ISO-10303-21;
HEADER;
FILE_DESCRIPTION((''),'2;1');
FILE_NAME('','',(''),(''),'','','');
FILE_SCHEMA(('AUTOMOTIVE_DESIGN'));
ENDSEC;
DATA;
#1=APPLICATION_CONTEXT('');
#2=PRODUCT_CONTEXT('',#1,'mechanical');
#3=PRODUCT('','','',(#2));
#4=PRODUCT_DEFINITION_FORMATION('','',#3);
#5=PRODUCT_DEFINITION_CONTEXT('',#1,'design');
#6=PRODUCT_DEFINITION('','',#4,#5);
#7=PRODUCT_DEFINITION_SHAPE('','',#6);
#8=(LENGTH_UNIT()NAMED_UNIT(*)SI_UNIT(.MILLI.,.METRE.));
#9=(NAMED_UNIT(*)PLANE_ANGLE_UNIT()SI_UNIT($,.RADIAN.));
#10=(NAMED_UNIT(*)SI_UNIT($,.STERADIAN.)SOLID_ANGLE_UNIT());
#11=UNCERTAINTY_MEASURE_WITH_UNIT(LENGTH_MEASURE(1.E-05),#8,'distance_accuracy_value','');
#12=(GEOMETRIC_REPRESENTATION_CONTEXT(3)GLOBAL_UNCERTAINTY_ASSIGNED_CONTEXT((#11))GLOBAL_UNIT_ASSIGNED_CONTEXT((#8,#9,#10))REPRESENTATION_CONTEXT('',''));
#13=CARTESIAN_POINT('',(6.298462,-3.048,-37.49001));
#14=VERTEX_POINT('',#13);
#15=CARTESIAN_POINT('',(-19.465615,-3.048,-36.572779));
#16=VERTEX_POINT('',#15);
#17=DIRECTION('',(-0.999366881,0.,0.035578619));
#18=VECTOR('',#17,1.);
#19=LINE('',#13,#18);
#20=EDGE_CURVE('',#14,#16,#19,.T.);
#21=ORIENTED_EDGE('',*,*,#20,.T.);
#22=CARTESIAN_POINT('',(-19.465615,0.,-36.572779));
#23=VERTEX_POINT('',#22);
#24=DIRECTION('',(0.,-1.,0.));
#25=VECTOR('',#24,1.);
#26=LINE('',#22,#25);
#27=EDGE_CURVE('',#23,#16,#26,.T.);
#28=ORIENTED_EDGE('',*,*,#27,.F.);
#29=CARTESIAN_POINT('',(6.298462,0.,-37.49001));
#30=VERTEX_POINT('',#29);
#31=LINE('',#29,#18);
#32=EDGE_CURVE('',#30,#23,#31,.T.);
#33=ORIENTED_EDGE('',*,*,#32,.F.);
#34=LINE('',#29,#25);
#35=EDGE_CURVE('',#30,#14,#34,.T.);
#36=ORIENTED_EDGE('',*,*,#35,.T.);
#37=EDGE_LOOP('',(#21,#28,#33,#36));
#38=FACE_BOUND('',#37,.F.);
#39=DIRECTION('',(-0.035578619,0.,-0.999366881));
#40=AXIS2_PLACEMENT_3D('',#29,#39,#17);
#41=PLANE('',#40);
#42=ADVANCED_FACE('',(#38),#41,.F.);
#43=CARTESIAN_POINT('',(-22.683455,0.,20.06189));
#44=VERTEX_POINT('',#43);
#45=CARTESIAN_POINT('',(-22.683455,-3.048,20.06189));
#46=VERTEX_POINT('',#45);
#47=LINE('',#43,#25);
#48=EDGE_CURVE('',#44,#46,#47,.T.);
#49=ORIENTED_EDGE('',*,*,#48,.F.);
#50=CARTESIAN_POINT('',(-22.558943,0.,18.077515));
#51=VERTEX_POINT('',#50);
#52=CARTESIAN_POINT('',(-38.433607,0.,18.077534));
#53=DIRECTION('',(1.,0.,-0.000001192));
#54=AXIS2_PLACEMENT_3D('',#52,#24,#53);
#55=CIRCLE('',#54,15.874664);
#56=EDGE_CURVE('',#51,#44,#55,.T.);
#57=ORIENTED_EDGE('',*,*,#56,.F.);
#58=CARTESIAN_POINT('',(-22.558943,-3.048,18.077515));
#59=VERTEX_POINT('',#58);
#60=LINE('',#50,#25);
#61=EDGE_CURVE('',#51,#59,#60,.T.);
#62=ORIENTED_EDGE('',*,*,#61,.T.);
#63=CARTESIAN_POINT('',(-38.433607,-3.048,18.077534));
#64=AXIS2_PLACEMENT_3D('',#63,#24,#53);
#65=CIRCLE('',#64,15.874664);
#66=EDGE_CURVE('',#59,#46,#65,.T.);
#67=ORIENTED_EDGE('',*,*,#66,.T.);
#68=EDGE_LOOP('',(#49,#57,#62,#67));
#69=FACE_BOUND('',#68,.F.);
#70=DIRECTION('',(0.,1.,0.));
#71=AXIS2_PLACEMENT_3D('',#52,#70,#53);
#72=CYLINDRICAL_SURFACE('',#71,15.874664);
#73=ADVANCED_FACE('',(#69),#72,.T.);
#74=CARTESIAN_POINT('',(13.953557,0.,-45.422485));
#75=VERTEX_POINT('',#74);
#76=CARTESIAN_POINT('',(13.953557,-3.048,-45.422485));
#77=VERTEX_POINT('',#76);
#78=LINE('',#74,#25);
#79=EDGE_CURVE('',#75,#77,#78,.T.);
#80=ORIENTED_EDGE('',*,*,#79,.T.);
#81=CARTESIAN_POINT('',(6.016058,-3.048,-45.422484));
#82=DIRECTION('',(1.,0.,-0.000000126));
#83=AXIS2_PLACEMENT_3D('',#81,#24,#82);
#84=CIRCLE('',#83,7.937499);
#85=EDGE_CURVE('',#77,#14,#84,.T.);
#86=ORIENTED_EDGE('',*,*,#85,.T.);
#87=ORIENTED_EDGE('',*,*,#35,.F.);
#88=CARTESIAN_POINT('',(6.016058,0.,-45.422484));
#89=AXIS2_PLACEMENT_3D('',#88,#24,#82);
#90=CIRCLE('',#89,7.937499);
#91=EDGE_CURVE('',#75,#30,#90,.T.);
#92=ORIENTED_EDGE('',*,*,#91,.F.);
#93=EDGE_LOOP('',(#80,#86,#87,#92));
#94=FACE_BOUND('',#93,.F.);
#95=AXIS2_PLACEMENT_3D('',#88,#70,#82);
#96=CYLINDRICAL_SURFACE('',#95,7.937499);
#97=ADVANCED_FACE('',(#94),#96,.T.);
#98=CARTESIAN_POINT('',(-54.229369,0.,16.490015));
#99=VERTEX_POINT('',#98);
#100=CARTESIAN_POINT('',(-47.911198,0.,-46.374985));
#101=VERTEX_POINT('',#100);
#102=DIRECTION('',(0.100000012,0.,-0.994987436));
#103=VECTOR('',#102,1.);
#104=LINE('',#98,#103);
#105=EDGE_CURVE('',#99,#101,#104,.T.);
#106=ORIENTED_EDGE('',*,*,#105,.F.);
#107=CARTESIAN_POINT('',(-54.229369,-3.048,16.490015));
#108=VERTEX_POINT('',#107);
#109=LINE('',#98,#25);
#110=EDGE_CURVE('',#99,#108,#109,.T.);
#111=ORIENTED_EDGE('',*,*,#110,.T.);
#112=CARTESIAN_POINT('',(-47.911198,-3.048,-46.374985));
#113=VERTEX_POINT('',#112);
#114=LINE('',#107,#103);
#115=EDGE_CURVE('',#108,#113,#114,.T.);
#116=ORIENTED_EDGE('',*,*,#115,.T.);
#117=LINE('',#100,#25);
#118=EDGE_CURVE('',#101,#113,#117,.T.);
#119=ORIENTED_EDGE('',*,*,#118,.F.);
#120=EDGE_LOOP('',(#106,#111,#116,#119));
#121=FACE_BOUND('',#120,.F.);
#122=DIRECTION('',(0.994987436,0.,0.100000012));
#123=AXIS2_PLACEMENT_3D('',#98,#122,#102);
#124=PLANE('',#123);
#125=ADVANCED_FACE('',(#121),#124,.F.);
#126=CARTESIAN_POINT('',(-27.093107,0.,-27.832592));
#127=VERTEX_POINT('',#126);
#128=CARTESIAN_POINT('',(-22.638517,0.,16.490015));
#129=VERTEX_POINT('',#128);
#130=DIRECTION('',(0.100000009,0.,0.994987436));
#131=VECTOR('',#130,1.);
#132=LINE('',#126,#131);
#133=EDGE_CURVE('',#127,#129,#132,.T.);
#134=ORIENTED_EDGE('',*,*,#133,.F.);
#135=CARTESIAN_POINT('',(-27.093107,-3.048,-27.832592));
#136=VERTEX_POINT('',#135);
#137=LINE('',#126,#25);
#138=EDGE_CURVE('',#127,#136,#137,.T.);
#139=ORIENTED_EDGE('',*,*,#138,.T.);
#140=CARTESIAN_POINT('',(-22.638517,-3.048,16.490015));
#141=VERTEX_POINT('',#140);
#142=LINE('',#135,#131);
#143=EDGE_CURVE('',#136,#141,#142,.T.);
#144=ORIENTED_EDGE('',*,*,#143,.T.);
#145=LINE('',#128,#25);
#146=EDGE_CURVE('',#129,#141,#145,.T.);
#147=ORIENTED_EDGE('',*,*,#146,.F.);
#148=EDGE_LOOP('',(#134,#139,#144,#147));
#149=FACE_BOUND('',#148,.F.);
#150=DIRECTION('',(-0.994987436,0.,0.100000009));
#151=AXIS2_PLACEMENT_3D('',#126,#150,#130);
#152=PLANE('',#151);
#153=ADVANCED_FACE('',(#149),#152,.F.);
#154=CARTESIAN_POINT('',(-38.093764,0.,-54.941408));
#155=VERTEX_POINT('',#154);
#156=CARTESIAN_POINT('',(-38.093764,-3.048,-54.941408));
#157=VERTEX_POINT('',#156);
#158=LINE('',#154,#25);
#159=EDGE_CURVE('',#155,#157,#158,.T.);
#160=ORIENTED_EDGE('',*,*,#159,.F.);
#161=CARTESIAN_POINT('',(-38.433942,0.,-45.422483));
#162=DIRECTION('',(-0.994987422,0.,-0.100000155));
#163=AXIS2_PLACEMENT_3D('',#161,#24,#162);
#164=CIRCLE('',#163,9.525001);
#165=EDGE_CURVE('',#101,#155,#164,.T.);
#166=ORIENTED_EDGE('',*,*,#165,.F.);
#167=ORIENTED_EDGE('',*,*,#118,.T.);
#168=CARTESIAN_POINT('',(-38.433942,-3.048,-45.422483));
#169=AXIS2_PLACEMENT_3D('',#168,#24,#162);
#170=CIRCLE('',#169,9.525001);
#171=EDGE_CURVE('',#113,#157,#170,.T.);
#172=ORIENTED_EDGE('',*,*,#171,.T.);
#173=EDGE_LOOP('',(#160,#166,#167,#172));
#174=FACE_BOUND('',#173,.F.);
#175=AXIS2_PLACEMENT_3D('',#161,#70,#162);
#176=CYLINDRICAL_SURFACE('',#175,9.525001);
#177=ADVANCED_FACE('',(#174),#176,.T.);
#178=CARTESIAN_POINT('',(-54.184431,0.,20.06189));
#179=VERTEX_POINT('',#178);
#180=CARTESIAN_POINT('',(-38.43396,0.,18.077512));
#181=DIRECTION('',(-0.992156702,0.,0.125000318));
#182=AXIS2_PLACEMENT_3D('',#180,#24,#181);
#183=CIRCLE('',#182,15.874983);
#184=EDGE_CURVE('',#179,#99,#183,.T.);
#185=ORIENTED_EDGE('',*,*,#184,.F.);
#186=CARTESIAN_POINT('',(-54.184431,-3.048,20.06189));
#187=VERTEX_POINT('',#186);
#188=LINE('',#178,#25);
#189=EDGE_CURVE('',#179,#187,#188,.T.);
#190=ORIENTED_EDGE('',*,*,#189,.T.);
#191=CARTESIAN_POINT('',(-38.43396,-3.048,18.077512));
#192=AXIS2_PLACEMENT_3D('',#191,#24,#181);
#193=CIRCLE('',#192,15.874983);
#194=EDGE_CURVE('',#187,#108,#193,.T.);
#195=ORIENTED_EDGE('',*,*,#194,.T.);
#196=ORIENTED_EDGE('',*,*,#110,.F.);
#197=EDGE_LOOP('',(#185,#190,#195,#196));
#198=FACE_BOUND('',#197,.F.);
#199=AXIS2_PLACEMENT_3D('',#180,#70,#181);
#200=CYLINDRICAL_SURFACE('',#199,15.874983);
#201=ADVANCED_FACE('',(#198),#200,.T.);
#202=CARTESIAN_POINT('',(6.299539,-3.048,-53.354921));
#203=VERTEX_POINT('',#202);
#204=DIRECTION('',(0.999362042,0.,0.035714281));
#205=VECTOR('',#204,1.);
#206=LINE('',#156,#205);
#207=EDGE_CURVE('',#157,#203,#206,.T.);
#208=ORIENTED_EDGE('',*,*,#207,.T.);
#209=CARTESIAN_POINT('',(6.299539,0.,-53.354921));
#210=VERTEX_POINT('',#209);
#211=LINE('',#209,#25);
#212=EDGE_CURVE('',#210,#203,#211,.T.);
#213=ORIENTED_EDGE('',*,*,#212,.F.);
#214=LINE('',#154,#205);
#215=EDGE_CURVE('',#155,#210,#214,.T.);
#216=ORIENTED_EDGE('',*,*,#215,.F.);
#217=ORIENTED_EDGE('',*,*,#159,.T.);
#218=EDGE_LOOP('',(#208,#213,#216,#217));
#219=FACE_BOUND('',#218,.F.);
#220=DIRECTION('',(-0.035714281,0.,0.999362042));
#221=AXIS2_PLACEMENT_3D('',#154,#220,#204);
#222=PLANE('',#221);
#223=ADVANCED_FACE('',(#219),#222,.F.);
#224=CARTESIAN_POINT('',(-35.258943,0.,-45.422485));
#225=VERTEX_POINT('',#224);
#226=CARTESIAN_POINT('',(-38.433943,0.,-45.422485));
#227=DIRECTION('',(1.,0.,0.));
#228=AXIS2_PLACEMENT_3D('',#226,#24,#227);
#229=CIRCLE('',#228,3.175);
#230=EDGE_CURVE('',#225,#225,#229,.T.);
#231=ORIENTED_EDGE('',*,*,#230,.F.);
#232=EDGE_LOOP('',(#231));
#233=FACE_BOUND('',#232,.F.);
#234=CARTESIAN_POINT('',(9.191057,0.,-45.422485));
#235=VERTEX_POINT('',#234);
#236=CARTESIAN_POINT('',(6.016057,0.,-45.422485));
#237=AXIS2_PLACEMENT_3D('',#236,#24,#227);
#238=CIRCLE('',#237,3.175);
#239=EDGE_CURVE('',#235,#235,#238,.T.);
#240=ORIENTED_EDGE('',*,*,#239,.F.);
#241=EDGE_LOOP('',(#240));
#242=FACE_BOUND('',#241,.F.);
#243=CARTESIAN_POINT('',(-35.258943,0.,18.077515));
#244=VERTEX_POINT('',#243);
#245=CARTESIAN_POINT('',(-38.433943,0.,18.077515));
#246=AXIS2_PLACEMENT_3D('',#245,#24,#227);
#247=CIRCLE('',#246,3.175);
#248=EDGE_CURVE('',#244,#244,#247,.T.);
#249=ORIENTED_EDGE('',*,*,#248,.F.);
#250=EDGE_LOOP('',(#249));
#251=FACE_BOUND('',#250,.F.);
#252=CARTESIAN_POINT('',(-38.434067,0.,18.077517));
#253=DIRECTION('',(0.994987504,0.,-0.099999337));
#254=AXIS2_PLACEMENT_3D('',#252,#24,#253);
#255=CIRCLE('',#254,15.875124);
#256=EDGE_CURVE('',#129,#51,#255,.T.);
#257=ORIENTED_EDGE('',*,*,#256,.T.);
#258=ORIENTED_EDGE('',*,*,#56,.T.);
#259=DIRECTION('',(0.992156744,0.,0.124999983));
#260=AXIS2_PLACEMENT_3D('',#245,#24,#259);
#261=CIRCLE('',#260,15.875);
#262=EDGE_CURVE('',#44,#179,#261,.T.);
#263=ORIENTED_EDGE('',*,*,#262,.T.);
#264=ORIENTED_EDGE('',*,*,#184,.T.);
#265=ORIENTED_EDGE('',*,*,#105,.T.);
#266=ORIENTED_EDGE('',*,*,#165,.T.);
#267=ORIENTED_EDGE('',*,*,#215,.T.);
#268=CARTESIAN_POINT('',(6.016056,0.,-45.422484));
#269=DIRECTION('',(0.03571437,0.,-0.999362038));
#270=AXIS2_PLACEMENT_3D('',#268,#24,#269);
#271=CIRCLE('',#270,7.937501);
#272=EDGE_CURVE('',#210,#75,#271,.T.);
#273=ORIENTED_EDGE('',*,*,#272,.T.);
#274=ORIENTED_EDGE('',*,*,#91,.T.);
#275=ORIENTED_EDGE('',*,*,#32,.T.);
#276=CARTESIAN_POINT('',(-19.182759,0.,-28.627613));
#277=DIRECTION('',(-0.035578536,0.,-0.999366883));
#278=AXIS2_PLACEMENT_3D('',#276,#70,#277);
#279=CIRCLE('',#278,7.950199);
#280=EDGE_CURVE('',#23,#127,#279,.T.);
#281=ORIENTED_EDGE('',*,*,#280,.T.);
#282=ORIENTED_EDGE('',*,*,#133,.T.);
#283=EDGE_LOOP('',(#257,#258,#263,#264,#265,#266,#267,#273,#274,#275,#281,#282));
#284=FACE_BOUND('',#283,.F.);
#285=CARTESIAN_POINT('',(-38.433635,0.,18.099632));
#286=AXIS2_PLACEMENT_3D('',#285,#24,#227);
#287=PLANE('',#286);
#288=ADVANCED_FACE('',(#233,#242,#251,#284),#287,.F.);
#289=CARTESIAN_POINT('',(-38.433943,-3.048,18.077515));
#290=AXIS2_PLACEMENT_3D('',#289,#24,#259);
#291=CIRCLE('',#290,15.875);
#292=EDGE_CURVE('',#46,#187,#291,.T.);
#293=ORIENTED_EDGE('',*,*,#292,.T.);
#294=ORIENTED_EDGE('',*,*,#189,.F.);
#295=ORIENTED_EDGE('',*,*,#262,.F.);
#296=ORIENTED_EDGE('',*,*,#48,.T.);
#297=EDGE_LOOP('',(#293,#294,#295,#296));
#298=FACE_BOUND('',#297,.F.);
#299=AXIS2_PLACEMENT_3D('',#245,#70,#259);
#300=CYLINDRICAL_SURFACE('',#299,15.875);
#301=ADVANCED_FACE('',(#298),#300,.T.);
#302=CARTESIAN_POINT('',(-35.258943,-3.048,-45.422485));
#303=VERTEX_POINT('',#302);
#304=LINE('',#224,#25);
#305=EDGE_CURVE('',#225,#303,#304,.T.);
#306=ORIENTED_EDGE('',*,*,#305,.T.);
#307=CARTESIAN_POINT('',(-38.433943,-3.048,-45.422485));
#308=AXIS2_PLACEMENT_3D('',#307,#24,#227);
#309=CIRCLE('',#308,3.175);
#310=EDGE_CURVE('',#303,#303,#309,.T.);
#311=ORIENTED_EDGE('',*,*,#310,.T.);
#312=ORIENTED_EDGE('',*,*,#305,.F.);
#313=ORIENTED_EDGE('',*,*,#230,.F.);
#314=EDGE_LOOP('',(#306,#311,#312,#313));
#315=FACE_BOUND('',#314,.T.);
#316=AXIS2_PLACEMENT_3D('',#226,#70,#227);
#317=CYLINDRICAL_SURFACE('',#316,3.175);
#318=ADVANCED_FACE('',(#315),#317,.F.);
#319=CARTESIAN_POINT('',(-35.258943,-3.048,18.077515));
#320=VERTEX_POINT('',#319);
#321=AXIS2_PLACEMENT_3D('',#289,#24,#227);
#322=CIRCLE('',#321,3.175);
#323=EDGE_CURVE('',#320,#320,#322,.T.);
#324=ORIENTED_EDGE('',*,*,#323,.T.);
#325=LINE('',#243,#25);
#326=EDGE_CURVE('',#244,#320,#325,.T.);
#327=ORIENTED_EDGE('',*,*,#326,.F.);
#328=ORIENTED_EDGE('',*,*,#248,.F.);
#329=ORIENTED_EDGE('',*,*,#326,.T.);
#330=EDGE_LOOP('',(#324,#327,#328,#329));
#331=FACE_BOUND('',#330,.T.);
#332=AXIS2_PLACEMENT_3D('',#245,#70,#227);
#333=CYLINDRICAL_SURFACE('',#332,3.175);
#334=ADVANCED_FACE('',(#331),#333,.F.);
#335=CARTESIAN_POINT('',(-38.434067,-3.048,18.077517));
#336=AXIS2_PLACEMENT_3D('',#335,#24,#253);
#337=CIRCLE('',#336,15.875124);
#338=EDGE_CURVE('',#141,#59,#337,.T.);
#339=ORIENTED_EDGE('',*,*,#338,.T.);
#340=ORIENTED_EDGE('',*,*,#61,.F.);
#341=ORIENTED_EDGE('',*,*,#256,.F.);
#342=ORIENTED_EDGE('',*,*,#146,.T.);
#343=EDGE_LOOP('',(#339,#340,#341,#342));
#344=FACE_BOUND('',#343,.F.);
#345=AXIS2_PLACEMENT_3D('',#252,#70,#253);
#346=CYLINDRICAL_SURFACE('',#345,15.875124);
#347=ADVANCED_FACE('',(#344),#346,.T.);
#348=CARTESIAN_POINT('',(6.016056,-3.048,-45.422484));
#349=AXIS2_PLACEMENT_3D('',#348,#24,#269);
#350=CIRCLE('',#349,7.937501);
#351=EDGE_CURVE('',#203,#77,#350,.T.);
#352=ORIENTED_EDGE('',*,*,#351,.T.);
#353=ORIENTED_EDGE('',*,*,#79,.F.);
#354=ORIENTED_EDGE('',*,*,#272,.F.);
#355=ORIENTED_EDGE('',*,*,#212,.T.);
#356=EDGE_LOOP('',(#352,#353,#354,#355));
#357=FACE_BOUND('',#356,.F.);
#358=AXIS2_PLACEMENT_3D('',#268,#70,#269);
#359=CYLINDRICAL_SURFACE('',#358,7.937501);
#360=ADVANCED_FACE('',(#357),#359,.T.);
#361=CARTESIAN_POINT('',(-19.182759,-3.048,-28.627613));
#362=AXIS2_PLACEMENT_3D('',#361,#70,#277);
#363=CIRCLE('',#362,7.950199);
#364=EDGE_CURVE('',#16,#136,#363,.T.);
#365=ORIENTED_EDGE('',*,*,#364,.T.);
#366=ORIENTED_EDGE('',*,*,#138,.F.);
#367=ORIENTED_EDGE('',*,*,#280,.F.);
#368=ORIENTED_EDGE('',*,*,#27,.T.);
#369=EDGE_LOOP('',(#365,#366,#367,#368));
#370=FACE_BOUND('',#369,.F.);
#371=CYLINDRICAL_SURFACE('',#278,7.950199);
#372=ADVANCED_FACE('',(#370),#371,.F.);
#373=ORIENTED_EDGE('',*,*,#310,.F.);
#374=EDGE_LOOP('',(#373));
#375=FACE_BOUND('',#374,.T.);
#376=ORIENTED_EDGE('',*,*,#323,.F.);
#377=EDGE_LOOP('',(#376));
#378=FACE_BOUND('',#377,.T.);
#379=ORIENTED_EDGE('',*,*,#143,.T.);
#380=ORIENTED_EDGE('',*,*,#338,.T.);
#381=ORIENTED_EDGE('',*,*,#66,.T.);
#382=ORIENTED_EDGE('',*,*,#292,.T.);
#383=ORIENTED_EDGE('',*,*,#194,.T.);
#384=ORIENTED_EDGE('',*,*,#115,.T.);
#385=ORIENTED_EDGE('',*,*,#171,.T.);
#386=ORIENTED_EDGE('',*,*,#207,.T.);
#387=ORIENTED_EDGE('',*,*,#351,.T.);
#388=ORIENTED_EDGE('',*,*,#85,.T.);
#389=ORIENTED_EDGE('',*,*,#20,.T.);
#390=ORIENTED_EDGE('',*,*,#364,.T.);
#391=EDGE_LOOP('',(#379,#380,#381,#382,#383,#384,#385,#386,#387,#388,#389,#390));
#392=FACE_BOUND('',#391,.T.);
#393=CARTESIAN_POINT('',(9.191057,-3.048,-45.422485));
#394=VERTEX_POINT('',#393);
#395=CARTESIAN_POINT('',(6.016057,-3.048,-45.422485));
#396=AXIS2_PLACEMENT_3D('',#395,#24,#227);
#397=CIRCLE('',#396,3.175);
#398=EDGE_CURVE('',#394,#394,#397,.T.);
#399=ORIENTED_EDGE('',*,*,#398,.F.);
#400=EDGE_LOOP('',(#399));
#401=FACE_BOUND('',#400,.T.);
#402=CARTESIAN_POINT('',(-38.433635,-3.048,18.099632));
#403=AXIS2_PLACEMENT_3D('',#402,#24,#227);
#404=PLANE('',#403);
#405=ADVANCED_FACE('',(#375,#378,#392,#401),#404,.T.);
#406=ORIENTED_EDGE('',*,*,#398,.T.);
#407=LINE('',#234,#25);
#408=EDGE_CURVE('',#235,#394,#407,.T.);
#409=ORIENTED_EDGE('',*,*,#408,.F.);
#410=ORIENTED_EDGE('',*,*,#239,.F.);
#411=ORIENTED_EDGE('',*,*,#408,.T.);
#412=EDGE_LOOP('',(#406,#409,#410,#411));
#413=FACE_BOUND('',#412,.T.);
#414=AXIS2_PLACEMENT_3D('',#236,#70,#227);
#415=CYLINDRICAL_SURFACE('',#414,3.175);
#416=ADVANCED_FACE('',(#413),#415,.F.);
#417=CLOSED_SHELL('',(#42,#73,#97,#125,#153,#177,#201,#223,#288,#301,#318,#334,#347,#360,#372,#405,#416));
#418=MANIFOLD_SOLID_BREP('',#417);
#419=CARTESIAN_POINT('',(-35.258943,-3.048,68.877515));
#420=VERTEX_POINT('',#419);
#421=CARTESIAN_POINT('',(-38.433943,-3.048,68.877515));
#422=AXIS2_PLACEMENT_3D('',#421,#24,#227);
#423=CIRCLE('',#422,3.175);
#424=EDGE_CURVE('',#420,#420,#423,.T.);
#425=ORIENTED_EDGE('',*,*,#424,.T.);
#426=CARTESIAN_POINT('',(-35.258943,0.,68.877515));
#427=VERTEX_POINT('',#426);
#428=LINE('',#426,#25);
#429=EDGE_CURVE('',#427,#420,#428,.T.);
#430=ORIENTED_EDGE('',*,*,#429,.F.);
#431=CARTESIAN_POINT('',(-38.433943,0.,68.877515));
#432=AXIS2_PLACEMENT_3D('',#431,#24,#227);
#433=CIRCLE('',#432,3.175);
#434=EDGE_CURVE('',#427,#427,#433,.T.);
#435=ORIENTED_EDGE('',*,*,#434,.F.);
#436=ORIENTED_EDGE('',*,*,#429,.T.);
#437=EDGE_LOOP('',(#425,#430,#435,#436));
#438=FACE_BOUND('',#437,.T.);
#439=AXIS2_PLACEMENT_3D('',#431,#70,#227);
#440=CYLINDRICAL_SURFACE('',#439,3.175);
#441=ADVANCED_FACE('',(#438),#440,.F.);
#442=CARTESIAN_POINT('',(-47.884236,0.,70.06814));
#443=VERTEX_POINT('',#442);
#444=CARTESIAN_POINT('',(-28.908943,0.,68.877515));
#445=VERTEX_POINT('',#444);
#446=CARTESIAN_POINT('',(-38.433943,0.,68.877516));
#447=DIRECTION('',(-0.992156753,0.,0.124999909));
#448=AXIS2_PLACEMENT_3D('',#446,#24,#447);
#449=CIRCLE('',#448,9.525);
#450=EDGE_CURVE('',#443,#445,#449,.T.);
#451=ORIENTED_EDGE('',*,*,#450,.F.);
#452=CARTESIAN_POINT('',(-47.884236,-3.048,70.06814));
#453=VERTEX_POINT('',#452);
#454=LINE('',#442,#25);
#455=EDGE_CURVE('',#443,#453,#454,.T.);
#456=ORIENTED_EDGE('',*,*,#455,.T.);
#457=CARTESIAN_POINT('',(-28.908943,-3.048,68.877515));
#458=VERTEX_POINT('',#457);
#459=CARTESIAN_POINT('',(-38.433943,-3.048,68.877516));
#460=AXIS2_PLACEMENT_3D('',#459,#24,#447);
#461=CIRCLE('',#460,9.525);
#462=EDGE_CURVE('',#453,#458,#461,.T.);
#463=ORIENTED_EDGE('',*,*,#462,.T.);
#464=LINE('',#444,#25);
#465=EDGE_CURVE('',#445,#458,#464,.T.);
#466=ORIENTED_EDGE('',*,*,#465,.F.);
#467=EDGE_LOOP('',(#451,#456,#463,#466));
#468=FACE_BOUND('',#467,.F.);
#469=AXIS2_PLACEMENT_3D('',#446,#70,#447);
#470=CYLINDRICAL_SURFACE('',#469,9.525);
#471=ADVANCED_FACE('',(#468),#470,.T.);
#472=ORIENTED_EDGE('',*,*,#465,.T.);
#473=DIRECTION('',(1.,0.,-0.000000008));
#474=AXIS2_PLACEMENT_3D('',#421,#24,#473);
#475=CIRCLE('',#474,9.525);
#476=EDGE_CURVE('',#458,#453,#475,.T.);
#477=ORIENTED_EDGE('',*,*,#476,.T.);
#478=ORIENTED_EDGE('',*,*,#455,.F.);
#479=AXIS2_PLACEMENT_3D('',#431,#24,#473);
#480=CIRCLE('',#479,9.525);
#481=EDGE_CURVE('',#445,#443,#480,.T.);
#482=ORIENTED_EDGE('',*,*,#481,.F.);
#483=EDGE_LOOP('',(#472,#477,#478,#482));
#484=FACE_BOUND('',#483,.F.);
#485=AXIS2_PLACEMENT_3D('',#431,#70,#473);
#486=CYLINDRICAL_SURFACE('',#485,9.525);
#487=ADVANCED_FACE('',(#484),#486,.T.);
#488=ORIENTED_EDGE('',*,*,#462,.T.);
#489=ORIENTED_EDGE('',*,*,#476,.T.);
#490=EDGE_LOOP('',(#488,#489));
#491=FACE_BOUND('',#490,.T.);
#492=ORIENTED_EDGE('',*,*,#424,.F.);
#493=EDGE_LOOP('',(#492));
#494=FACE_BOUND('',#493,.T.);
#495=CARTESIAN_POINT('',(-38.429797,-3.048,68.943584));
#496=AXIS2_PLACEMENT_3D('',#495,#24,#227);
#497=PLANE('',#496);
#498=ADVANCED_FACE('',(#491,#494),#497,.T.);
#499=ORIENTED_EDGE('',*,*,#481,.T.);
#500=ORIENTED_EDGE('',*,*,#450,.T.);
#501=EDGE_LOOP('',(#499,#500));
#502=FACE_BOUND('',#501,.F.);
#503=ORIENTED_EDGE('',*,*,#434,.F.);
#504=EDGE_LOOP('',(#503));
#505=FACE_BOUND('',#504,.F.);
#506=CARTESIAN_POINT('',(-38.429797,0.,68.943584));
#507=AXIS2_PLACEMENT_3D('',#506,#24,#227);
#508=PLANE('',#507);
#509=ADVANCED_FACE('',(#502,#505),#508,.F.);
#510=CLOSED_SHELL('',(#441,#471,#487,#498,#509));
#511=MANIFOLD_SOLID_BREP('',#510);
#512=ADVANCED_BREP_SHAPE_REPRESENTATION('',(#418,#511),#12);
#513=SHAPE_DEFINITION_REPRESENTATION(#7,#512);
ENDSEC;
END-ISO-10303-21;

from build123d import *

# Parameters (mm, degrees)
F0_R     = 3.175
F1_DEPTH = 3.048


with BuildPart() as f1:
    # F0 (on Front) → F1 (new body)
    with BuildSketch(Plane.XZ):
        with BuildLine():
            ThreePointArc((-47.884236, 70.06814), (-39.030426, 59.371211), (-28.908943, 68.877515))
            ThreePointArc((-28.908943, 68.877515), (-37.83746, 78.38382), (-47.884236, 70.06814))
        make_face()
        with Locations((-38.433943, 68.877515)):
            Circle(F0_R, mode=Mode.SUBTRACT)
        with BuildLine():
            ThreePointArc((-22.683455, 20.06189), (-38.433943, 33.952515), (-54.184431, 20.06189))
            ThreePointArc((-54.184431, 20.06189), (-54.307687, 18.277221), (-54.229369, 16.490015))
            ThreePointArc((-54.229369, 16.490015), (-38.433943, 2.202515), (-22.638517, 16.490015))
            ThreePointArc((-22.638517, 16.490015), (-22.578849, 17.282769), (-22.558943, 18.077515))
            ThreePointArc((-22.558943, 18.077515), (-22.590101, 19.071654), (-22.683455, 20.06189))
        make_face()
        with Locations((-38.433943, 18.077515)):
            Circle(F0_R, mode=Mode.SUBTRACT)
        with BuildLine():
            ThreePointArc((-22.638517, 16.490015), (-38.433943, 2.202515), (-54.229369, 16.490015))
            Line((-54.229369, 16.490015), (-47.911198, -46.374985))
            ThreePointArc((-47.911198, -46.374985), (-38.910791, -35.909428), (-28.908943, -45.422485))
            ThreePointArc((-28.908943, -45.422485), (-31.579535, -52.036312), (-38.093764, -54.941408))
            Line((-38.093764, -54.941408), (6.299539, -53.354921))
            ThreePointArc((6.299539, -53.354921), (-1.921443, -45.423023), (6.298462, -37.49001))
            Line((6.298462, -37.49001), (-19.465615, -36.572779))
            ThreePointArc((-19.465615, -36.572779), (-25.172739, -33.855022), (-27.093107, -27.832592))
            Line((-27.093107, -27.832592), (-22.638517, 16.490015))
        make_face()
        with BuildLine():
            ThreePointArc((-28.908943, -45.422485), (-38.910791, -35.909428), (-47.911198, -46.374985))
            ThreePointArc((-47.911198, -46.374985), (-44.696326, -52.599404), (-38.093764, -54.941408))
            ThreePointArc((-38.093764, -54.941408), (-31.579535, -52.036312), (-28.908943, -45.422485))
        make_face()
        with Locations((-38.433943, -45.422485)):
            Circle(F0_R, mode=Mode.SUBTRACT)
        with BuildLine():
            ThreePointArc((6.298462, -37.49001), (-1.921443, -45.423023), (6.299539, -53.354921))
            ThreePointArc((6.299539, -53.354921), (11.728064, -50.934007), (13.953557, -45.422485))
            ThreePointArc((13.953557, -45.422485), (11.72769, -39.910574), (6.298462, -37.49001))
        make_face()
        with Locations((6.016057, -45.422485)):
            Circle(F0_R, mode=Mode.SUBTRACT)
    extrude(amount=F1_DEPTH)


solid = f1.part
